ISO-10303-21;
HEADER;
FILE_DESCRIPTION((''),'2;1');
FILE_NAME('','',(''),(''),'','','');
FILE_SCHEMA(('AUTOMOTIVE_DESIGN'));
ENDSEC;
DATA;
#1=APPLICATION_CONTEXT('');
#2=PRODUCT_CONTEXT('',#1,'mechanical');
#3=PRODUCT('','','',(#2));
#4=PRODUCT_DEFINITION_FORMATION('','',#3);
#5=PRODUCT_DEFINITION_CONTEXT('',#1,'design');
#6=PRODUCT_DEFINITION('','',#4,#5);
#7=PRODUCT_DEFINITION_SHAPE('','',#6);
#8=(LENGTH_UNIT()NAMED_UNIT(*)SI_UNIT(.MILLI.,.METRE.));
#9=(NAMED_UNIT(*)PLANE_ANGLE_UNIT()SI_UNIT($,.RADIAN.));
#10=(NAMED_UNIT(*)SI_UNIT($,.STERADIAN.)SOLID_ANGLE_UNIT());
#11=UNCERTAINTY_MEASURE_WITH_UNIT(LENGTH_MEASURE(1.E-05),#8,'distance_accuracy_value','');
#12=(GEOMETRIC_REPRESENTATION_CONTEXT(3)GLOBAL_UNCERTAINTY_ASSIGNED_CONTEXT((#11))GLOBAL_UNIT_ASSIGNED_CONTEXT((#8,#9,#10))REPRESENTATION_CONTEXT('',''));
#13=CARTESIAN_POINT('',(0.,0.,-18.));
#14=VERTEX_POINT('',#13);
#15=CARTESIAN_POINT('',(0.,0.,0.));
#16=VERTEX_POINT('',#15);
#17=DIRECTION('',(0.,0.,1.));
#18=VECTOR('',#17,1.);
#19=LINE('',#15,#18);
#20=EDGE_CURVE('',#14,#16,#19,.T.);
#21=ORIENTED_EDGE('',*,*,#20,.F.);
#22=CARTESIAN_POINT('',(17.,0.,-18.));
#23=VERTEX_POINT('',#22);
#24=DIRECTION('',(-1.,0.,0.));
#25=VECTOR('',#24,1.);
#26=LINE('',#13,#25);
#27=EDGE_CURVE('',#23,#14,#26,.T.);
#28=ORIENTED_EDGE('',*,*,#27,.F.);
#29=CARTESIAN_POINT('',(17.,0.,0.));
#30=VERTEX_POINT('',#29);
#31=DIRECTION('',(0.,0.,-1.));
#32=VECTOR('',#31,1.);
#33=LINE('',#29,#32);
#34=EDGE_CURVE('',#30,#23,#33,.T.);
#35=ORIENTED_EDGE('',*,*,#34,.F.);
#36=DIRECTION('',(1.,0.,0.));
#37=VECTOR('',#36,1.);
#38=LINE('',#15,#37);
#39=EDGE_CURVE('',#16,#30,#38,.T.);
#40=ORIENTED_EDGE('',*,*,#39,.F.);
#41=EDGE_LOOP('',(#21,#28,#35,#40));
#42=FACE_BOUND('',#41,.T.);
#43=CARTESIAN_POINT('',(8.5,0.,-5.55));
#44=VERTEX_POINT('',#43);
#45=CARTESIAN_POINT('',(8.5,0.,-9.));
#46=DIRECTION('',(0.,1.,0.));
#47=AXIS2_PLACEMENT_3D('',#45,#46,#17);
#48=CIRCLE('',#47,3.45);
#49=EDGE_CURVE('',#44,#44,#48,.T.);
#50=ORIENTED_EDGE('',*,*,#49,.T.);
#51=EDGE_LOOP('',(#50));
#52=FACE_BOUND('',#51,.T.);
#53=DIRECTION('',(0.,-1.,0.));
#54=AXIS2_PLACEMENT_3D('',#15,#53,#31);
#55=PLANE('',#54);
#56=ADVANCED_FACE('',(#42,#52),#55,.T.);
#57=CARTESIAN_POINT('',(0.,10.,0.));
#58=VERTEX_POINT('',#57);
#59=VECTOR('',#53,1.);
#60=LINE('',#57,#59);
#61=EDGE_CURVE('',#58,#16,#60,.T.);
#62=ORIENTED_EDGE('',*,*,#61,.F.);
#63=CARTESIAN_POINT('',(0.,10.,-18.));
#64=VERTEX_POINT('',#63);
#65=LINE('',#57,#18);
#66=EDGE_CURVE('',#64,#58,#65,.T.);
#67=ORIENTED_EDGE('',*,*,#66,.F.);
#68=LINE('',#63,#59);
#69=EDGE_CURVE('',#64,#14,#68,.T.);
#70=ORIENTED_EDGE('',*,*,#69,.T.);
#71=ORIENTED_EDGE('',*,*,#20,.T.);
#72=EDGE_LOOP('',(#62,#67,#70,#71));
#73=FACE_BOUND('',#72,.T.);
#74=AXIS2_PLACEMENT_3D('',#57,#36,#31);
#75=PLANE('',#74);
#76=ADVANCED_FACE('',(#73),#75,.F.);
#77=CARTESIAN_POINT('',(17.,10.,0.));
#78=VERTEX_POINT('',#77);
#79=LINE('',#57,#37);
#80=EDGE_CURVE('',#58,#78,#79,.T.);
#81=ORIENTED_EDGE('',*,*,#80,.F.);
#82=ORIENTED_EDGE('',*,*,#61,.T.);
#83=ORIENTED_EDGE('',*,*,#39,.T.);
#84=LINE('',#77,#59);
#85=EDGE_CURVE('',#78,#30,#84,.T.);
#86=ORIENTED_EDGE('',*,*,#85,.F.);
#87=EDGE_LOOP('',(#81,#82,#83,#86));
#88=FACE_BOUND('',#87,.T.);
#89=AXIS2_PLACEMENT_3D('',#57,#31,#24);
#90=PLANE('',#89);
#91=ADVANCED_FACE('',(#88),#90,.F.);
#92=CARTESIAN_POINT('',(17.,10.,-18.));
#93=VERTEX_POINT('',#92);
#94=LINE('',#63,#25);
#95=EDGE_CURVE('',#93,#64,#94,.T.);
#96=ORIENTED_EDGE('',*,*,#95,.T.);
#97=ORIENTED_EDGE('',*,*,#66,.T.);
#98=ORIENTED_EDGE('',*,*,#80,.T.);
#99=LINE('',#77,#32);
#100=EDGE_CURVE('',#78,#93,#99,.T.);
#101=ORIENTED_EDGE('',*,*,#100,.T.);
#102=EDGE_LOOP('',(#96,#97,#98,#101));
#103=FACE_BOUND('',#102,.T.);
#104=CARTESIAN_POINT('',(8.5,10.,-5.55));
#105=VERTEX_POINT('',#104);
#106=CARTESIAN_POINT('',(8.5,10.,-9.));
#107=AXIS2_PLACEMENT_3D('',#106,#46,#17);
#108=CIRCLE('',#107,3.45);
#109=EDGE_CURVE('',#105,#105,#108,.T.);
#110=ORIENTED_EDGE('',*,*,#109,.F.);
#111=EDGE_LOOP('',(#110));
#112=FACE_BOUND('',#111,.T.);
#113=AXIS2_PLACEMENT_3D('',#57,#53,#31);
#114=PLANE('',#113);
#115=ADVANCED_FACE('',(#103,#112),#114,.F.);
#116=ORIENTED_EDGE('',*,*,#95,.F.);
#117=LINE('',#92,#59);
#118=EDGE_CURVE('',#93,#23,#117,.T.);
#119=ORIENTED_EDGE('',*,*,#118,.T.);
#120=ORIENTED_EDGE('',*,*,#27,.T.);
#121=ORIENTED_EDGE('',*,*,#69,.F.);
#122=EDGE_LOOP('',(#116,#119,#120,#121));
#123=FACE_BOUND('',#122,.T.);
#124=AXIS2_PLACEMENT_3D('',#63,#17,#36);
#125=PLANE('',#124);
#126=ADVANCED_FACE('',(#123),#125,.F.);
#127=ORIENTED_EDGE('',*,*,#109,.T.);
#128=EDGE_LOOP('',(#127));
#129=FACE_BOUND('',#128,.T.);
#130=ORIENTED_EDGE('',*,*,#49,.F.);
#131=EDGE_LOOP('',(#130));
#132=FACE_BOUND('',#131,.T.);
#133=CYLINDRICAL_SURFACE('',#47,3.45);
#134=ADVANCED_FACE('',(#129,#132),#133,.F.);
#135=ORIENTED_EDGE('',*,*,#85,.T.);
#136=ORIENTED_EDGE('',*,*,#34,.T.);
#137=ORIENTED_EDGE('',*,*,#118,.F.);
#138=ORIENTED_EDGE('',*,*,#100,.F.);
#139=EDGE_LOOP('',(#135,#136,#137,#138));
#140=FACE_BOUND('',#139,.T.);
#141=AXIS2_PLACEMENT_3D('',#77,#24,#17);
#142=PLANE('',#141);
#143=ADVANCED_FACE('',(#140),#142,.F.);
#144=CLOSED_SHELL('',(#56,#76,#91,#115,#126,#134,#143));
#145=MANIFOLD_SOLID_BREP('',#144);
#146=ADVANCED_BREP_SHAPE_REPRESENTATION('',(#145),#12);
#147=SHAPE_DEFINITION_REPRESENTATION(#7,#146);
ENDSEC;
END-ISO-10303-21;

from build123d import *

# Parameters (mm, degrees)
SKETCH1_W           = 17
SKETCH1_H           = 18
BOSS_EXTRUDE1_DEPTH = 10
SKETCH2_R           = 3.45
CUT_EXTRUDE1_DEPTH  = 10


with BuildPart() as part:
    # Sketch1 → Boss-Extrude1 (new body)
    with BuildSketch(Plane(origin=(0, 0, 0), x_dir=(1, 0, 0), z_dir=(0, 1, 0))):
        with Locations((8.5, 9)):
            Rectangle(SKETCH1_W, SKETCH1_H)
    extrude(amount=BOSS_EXTRUDE1_DEPTH)

    # Sketch2 → Cut-Extrude1 (cut)
    with BuildSketch(Plane(origin=(0, 10, 0), x_dir=(1, 0, 0), z_dir=(0, 1, 0))):
        with Locations(Location((8.5, 9, 0), (0, 0, 270))):
            Circle(SKETCH2_R)
    extrude(amount=-CUT_EXTRUDE1_DEPTH, mode=Mode.SUBTRACT)


solid = part.part
